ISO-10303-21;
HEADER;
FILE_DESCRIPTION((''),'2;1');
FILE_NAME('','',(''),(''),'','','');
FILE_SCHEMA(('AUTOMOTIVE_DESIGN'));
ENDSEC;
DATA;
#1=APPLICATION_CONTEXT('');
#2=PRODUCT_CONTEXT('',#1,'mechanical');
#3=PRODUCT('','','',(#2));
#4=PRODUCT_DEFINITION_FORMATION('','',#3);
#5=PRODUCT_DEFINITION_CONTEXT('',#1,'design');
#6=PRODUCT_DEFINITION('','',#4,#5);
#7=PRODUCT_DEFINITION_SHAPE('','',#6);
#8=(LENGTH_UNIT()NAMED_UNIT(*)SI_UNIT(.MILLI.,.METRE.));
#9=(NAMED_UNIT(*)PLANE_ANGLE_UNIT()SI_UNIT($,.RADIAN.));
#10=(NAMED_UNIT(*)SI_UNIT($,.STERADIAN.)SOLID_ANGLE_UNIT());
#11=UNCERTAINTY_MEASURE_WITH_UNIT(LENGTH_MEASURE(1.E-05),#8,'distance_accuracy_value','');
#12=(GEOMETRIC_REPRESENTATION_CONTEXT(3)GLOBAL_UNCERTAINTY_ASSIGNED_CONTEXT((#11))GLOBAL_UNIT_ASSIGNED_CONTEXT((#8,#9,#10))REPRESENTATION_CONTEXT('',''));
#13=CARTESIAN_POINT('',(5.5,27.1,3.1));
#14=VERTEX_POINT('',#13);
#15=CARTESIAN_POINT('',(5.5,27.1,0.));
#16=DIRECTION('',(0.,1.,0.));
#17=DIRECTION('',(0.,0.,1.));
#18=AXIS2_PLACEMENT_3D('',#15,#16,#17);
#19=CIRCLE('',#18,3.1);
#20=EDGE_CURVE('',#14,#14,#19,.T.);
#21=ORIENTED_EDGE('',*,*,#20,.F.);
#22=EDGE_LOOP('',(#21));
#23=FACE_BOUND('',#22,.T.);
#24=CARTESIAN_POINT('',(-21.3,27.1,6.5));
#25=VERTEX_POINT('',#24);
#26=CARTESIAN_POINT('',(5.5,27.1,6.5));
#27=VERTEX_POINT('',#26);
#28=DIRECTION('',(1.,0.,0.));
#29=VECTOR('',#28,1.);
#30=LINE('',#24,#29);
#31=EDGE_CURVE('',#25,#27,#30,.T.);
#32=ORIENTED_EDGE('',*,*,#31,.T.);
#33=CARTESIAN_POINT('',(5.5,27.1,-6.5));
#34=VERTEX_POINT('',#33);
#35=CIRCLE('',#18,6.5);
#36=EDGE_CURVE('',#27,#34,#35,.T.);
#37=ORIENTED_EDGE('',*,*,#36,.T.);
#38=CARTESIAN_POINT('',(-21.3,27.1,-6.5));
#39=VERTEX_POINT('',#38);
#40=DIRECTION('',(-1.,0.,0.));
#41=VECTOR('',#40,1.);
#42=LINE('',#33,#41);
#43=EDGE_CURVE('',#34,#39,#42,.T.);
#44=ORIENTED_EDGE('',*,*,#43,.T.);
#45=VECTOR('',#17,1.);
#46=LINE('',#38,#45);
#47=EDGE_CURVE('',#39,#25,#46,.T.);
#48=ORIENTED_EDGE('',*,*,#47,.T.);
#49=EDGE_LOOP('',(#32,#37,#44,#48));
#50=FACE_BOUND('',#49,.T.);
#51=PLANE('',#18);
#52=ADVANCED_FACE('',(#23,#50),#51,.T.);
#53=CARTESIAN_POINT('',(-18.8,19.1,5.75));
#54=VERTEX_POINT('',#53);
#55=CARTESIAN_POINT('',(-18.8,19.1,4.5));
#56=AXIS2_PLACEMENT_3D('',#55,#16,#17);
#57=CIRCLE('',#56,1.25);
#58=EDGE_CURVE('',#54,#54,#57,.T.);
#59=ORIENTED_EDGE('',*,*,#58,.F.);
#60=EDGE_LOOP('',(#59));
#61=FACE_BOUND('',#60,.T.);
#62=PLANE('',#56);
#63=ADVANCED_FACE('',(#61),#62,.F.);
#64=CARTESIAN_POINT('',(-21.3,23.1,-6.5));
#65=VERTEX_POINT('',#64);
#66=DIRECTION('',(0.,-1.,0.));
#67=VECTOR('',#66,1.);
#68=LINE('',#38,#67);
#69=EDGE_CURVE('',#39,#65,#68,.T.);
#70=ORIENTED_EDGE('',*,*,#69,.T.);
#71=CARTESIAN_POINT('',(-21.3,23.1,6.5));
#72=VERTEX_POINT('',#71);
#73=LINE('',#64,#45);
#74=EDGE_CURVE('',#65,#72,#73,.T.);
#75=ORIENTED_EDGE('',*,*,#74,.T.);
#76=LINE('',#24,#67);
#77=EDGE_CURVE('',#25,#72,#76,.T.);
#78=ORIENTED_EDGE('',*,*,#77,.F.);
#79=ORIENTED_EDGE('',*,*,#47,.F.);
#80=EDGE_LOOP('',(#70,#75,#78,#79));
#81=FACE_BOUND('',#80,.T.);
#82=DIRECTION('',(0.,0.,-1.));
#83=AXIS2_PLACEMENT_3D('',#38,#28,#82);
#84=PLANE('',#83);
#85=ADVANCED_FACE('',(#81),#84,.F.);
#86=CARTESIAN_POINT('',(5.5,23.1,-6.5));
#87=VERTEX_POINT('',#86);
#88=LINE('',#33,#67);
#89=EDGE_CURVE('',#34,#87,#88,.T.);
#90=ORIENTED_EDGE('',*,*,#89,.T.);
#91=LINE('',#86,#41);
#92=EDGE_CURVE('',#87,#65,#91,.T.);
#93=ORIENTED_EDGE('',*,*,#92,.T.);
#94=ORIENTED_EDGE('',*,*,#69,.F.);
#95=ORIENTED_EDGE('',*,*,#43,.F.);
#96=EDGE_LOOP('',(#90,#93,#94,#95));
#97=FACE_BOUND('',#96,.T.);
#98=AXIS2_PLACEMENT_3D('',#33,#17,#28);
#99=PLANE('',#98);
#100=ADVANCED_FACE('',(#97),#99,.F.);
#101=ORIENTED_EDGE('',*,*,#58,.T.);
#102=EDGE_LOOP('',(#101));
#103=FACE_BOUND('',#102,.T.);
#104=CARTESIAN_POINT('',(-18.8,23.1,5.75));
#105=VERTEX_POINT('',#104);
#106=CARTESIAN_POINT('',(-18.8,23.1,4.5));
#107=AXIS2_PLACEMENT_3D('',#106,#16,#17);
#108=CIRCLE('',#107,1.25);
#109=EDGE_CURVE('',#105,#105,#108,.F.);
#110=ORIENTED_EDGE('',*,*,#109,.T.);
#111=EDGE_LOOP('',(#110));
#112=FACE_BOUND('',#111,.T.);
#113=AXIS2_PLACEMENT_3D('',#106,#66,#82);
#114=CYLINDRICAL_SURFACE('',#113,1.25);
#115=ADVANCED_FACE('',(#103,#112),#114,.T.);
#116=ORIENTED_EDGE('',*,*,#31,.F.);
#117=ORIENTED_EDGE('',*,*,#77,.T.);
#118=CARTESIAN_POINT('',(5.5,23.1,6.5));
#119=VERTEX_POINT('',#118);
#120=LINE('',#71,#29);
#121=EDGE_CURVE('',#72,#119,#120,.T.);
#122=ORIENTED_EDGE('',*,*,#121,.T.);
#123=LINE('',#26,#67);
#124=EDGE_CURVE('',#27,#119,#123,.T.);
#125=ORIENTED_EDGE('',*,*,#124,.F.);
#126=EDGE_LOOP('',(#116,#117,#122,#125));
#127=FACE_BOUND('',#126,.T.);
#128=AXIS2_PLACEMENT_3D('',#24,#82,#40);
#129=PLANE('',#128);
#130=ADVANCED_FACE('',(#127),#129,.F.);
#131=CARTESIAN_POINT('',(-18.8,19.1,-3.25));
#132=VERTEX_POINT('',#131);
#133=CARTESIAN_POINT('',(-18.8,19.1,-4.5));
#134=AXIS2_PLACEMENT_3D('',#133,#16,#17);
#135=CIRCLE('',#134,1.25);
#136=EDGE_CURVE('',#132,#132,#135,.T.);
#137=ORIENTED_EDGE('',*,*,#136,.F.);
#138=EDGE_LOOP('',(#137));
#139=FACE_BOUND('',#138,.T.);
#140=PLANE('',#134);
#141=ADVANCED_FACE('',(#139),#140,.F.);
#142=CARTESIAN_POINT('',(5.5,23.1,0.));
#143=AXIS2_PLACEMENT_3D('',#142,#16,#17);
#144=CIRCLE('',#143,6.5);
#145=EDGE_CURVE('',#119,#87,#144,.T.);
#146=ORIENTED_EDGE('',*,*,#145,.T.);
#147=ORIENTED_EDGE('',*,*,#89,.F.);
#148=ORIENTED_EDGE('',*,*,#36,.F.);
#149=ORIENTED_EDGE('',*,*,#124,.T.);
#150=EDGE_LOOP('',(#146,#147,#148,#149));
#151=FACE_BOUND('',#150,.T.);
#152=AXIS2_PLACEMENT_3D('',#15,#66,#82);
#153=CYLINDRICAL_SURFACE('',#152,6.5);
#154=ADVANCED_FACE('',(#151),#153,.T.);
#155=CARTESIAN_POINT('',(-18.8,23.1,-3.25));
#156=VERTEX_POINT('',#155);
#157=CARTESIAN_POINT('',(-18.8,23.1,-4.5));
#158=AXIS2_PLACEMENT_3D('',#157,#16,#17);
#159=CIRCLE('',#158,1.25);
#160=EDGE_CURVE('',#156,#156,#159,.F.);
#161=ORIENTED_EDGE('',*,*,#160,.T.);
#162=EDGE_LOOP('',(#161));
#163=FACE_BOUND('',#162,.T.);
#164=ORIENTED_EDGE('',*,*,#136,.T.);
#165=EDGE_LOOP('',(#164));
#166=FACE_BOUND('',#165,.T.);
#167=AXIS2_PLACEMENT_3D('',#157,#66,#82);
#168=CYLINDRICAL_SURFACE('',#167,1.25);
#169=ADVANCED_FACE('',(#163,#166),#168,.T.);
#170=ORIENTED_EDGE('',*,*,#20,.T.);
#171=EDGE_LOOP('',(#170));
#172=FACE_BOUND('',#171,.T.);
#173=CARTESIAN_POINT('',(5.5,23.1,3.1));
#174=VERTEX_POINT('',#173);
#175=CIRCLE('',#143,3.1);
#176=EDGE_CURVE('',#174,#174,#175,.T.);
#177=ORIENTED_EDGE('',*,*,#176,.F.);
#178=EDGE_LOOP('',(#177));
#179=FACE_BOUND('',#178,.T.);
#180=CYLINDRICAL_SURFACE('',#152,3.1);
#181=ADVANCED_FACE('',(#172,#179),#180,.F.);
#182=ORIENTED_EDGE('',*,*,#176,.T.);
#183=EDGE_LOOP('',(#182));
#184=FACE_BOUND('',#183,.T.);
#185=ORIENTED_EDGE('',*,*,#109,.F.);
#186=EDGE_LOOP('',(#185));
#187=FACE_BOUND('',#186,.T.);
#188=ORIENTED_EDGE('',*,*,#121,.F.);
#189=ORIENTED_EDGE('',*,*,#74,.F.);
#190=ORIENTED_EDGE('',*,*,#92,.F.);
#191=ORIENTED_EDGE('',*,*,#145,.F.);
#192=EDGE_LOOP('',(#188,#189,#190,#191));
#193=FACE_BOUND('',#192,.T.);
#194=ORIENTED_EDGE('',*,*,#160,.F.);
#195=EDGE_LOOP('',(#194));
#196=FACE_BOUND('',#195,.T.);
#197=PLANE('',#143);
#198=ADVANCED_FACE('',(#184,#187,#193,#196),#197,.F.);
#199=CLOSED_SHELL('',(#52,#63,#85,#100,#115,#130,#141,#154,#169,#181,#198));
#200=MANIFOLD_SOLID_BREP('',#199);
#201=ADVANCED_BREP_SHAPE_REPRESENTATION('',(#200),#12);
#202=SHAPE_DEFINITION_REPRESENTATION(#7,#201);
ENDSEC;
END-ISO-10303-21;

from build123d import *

# Parameters (mm, degrees)
BOSS_EXTRUDE1_DEPTH = 4
SKETCH2_R           = 3.1
CUT_EXTRUDE2_DEPTH  = 4
SKETCH3_R           = 1.25
BOSS_EXTRUDE2_DEPTH = 4


with BuildPart() as part:
    # Sketch1 → Boss-Extrude1 (new body)
    with BuildSketch(Plane(origin=(0, 23.1, 0), x_dir=(1, 0, 0), z_dir=(0, 1, 0))):
        with BuildLine():
            Line((5.5, 6.5), (-21.3, 6.5))
            Line((-21.3, 6.5), (-21.3, -6.5))
            Line((-21.3, -6.5), (5.5, -6.5))
            ThreePointArc((5.5, -6.5), (12, 0), (5.5, 6.5))
        make_face()
    extrude(amount=BOSS_EXTRUDE1_DEPTH)

    # Sketch2 → Cut-Extrude2 (cut)
    with BuildSketch(Plane(origin=(0, 23.1, 0), x_dir=(1, 0, 0), z_dir=(0, 1, 0))):
        with Locations(Location((5.5, 0, 0), (0, 0, 270))):
            Circle(SKETCH2_R)
    extrude(amount=CUT_EXTRUDE2_DEPTH, mode=Mode.SUBTRACT)

    # Sketch3 → Boss-Extrude2 (add)
    with BuildSketch(Plane(origin=(0, 19.1, 0), x_dir=(1, 0, 0), z_dir=(0, 1, 0))):
        with Locations(Location((-18.8, -4.5, 0), (0, 0, 270))):
            Circle(SKETCH3_R)
        with Locations(Location((-18.8, 4.5, 0), (0, 0, 270))):
            Circle(SKETCH3_R)
    extrude(amount=BOSS_EXTRUDE2_DEPTH)


solid = part.part
